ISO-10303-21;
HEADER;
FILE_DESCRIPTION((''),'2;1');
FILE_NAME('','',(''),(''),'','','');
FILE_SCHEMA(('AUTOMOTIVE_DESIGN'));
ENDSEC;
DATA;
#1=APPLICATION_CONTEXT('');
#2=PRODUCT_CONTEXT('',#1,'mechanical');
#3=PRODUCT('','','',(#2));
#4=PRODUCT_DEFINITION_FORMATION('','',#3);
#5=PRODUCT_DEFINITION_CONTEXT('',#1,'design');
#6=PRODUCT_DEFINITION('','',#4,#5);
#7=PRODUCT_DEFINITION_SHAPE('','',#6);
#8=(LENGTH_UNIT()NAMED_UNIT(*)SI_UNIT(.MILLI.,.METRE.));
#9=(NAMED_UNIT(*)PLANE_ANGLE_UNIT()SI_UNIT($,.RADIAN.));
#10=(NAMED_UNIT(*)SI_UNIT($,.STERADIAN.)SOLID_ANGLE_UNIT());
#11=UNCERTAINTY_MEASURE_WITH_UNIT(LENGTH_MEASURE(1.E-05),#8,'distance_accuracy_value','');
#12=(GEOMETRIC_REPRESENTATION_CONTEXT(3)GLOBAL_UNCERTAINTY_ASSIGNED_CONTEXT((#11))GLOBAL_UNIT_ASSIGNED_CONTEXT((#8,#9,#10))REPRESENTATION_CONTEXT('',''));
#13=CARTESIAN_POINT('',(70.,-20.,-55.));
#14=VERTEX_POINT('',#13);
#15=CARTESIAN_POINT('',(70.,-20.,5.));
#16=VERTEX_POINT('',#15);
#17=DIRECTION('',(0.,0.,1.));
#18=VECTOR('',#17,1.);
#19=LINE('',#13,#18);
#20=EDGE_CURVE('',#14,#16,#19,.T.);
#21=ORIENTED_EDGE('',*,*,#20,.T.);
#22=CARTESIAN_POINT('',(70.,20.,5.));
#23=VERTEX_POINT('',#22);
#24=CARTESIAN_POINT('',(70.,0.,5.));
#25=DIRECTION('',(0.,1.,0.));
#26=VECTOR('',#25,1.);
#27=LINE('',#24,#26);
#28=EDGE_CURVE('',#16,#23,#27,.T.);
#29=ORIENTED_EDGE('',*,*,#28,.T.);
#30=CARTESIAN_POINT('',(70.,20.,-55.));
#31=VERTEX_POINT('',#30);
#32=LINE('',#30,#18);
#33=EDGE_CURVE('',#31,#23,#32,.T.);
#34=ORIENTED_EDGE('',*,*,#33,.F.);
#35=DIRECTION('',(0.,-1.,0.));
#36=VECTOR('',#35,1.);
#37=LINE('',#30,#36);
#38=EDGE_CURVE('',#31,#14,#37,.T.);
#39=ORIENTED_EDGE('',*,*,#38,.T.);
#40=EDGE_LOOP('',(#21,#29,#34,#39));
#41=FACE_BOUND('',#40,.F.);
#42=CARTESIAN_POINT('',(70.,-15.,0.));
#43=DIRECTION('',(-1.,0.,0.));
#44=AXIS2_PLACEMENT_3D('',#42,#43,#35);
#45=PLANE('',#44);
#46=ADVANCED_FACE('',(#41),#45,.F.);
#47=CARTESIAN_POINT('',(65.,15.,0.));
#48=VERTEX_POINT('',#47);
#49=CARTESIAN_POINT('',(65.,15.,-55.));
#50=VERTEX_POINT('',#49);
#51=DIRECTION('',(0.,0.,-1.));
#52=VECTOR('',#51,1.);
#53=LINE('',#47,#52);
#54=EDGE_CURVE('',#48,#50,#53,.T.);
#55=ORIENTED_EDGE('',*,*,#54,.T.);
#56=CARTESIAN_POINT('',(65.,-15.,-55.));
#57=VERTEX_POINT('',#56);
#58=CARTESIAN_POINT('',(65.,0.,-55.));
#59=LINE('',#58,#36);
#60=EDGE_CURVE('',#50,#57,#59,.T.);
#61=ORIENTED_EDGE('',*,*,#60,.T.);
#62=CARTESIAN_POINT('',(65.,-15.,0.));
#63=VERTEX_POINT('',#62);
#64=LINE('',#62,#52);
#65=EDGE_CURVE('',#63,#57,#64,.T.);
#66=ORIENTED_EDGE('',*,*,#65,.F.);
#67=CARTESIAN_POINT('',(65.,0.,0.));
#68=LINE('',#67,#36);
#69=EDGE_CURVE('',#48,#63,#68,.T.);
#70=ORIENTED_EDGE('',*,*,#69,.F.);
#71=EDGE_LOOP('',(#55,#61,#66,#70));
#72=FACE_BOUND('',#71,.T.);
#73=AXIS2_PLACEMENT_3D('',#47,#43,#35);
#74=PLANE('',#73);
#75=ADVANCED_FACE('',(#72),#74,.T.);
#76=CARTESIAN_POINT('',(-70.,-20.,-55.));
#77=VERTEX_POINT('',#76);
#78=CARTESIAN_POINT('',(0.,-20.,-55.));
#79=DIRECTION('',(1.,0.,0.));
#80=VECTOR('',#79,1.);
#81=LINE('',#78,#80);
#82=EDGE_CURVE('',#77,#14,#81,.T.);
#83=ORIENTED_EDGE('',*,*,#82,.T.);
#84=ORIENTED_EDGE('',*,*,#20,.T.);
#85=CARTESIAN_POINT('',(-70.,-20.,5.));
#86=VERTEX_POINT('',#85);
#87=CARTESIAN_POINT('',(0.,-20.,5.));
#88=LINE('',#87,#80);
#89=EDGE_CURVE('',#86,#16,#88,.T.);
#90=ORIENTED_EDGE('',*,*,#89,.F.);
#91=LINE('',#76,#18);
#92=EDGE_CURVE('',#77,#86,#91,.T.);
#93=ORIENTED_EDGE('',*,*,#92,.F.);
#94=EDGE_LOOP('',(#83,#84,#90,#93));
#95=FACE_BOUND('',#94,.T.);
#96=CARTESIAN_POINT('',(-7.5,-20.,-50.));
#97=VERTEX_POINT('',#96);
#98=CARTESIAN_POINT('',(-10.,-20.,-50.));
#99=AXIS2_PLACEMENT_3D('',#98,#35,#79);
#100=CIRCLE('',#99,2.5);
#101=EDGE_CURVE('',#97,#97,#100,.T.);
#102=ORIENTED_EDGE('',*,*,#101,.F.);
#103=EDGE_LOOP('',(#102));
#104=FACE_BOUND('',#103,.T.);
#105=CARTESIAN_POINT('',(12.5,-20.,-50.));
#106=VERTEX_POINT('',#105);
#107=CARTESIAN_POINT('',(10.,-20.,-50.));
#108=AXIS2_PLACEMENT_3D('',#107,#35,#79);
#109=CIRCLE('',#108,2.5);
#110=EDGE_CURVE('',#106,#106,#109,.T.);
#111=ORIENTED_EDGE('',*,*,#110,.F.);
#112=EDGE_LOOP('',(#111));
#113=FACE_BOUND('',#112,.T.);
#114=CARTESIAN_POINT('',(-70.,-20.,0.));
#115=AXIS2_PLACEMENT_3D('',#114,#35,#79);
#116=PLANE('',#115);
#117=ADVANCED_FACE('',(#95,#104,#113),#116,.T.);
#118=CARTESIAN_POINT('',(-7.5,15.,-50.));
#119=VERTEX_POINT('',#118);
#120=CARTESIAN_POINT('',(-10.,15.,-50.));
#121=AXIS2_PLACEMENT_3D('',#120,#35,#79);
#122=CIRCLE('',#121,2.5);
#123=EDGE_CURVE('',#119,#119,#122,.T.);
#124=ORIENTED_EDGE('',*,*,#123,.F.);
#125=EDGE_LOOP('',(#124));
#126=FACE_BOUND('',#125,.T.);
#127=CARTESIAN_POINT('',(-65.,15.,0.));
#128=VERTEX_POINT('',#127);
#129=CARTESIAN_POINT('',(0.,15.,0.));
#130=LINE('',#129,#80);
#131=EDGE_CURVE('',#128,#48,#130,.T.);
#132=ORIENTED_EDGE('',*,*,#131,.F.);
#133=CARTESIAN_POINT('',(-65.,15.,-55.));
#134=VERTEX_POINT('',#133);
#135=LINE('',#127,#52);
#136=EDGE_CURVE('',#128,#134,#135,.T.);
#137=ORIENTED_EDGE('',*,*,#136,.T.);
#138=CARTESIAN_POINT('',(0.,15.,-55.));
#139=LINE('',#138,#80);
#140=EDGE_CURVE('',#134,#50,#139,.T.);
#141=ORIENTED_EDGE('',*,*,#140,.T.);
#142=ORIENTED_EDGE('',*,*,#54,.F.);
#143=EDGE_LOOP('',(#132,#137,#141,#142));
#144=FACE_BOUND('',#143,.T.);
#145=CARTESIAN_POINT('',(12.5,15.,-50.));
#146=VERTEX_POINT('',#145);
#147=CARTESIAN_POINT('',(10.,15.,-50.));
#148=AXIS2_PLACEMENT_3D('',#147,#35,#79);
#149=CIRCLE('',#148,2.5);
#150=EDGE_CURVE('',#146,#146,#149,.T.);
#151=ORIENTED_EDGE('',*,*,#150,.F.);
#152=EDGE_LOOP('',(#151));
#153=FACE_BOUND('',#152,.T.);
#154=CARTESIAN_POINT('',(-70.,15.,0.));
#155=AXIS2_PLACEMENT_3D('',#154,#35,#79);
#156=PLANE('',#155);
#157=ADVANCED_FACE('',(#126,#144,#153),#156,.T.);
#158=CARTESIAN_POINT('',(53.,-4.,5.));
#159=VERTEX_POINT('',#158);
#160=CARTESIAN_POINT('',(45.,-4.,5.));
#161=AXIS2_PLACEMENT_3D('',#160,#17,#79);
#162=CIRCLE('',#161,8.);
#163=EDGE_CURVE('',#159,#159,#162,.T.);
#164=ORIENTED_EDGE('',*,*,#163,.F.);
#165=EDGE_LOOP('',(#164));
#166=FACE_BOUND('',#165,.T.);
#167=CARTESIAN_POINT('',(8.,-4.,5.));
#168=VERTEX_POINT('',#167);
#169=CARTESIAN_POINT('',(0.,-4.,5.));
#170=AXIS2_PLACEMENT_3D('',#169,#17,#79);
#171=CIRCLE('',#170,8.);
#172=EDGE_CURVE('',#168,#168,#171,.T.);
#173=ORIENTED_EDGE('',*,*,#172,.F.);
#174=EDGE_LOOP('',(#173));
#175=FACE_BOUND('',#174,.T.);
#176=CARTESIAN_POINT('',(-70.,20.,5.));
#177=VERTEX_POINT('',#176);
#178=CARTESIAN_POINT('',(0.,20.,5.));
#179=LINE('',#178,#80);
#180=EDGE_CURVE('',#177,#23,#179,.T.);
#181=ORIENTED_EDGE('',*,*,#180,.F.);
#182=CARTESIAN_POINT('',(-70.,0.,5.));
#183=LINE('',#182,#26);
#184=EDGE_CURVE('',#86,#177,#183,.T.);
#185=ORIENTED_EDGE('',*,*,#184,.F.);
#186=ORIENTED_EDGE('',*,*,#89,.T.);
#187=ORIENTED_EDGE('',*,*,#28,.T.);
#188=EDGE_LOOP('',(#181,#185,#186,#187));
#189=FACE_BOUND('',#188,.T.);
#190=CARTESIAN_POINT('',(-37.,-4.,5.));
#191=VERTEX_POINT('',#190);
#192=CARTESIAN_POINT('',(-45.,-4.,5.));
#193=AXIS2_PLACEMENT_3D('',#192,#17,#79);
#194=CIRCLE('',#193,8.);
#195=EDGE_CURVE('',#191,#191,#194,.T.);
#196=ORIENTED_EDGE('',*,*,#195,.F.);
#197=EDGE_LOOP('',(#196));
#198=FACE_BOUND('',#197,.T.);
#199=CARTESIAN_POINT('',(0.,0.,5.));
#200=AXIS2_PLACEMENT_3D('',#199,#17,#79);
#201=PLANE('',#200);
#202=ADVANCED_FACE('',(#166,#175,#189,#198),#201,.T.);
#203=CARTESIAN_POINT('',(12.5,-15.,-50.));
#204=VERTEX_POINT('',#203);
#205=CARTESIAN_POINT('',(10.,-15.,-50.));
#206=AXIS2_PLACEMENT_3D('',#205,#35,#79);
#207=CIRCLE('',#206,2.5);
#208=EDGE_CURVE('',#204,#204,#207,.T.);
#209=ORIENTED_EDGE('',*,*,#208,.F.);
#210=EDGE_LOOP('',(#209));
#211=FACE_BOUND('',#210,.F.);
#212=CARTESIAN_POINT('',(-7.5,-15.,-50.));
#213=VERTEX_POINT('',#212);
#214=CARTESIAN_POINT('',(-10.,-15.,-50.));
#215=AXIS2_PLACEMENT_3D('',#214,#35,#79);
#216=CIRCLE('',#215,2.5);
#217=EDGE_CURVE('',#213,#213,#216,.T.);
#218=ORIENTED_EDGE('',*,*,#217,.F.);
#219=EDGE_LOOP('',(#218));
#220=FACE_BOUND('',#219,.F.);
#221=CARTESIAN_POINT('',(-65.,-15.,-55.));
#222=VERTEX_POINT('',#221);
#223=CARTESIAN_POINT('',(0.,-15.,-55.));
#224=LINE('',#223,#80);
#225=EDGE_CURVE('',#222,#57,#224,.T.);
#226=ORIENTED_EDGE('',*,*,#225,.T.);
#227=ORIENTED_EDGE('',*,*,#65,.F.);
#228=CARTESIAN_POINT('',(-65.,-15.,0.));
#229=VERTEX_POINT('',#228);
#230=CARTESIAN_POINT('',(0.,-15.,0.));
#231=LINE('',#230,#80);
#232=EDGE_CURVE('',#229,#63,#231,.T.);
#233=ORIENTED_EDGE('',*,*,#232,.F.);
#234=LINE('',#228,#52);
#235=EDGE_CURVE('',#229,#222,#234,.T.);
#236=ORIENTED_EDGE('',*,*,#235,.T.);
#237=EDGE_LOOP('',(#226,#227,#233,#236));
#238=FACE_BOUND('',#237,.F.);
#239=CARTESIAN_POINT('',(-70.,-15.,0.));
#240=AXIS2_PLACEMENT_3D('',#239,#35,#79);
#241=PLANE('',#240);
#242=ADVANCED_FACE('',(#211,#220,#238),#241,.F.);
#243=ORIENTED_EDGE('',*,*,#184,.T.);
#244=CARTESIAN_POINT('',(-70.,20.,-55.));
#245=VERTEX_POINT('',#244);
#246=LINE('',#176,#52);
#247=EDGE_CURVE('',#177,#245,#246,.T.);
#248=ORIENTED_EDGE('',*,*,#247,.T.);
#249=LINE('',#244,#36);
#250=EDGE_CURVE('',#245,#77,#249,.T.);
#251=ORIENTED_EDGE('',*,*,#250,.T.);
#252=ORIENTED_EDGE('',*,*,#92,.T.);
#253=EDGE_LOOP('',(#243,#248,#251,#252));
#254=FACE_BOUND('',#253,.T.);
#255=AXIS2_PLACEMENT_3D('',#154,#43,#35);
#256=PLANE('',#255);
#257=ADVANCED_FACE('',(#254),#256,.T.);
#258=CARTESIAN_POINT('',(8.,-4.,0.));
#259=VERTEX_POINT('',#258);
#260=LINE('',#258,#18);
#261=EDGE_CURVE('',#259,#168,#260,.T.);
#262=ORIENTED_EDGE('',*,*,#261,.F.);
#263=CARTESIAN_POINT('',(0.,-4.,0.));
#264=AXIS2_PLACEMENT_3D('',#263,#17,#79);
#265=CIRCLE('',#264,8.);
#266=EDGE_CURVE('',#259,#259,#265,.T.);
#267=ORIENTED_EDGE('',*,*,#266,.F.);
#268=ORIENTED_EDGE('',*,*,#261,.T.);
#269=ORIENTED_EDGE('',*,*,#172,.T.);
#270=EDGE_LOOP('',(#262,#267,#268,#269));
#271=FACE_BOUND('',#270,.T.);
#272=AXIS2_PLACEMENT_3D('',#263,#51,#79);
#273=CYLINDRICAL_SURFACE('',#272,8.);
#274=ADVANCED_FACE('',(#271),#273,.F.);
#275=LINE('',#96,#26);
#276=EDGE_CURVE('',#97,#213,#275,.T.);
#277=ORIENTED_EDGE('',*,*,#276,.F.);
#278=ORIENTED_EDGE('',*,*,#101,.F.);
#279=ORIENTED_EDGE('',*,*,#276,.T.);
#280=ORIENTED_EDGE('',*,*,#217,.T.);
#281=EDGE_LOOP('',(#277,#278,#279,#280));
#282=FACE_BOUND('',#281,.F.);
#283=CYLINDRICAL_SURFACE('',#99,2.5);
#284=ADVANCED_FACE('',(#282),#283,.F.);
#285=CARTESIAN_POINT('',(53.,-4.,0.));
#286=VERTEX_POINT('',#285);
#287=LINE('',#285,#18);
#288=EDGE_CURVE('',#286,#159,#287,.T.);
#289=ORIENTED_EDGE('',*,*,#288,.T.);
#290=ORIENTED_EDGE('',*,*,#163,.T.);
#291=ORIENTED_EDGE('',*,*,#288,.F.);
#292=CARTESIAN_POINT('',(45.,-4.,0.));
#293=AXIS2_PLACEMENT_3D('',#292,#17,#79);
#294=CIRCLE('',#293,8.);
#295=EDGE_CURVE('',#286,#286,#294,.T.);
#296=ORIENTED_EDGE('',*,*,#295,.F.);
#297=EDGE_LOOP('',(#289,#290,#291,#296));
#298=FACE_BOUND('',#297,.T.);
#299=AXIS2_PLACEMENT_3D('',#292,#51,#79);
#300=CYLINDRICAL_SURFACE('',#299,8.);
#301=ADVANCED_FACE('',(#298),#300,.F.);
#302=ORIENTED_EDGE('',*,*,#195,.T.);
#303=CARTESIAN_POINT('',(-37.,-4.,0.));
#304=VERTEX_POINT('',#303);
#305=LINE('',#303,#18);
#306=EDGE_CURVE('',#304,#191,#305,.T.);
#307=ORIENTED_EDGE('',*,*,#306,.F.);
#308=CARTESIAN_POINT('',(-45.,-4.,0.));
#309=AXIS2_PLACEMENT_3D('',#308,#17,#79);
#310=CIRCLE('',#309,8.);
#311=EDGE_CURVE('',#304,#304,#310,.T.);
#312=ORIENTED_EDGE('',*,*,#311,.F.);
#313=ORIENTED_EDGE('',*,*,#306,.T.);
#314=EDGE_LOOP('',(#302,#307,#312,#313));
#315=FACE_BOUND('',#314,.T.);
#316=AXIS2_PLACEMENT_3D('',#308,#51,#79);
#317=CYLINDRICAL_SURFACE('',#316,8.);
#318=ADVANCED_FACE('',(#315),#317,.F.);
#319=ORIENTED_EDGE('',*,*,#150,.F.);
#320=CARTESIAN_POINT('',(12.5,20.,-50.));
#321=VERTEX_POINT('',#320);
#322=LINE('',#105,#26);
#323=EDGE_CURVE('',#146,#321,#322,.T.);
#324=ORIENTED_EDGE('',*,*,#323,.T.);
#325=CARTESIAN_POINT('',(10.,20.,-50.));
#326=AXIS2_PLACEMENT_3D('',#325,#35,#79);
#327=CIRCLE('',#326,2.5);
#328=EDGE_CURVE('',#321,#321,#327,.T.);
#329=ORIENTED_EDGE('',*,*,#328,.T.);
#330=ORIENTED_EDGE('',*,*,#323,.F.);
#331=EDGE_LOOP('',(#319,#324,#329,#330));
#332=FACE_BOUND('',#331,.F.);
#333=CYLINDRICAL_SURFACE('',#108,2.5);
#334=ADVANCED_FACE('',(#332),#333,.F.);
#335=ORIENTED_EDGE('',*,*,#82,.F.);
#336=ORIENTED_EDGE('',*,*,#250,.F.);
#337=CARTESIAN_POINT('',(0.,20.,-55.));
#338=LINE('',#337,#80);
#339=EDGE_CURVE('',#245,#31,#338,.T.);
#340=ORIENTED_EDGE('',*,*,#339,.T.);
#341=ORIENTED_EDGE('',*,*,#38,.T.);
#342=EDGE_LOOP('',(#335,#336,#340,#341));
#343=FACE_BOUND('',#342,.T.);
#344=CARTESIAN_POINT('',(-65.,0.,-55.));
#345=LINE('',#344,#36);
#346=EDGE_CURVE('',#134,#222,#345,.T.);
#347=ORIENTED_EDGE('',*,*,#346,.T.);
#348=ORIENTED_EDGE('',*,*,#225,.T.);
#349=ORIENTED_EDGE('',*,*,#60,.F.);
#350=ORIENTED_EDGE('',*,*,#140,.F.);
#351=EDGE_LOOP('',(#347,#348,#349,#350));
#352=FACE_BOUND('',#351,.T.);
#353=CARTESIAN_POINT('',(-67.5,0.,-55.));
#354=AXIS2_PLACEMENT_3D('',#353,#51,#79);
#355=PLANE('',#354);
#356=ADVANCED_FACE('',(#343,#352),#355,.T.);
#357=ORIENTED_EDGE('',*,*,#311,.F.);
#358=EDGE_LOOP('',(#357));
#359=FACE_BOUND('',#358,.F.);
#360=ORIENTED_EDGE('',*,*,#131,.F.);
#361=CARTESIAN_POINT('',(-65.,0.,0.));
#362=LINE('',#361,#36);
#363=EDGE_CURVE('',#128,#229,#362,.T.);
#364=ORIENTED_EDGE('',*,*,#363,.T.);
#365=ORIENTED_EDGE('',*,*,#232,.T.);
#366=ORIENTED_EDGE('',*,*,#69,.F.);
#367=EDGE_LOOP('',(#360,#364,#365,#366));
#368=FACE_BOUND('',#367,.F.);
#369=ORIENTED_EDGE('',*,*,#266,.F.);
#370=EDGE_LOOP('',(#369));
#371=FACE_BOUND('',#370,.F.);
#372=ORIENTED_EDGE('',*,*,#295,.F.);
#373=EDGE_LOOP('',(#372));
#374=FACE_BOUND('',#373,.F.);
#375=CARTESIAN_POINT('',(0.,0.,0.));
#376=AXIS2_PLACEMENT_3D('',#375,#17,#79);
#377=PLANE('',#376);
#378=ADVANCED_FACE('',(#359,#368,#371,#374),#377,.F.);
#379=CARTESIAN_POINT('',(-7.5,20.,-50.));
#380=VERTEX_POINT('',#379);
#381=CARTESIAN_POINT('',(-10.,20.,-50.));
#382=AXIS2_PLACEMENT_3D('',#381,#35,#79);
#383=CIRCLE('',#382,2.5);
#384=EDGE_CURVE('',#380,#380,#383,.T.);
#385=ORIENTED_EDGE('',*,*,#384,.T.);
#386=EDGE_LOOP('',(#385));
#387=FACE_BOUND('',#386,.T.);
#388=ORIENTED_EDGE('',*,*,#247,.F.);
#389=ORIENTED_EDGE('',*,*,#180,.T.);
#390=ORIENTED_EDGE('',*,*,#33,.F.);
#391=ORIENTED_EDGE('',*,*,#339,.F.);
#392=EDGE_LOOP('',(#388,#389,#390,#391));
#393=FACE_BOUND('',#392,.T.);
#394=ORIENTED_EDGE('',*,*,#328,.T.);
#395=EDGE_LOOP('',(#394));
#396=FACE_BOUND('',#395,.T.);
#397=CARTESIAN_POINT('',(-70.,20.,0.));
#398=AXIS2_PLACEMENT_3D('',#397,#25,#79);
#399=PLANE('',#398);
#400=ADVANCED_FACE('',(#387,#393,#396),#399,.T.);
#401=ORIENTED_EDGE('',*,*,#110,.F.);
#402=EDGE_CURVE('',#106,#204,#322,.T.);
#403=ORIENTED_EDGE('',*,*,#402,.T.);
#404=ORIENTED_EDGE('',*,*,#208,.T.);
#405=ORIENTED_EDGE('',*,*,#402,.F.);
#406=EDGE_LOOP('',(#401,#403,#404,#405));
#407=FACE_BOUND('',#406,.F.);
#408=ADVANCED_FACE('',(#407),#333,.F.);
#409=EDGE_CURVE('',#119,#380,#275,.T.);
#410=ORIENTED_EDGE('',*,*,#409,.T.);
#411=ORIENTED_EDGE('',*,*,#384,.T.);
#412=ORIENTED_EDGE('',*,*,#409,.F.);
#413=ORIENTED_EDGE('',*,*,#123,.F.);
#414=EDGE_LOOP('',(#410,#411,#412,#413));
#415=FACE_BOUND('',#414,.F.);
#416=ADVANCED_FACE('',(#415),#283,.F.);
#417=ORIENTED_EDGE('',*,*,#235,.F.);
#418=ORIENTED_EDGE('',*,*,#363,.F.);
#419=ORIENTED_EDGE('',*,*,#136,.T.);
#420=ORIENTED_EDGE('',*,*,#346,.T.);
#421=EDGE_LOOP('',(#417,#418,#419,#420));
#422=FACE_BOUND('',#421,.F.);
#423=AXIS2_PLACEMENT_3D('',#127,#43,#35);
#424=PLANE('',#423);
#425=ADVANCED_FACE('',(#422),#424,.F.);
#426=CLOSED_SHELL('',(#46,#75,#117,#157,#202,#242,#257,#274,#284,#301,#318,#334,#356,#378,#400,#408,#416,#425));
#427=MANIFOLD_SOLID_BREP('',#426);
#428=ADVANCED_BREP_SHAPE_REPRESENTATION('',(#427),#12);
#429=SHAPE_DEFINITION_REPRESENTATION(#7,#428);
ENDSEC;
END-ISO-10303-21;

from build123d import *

# Parameters (mm, degrees)
F0_W     = 140
F0_H     = 40
F0_R     = 8
F1_DEPTH = 5
F2_W     = 140
F2_H     = 5
F3_DEPTH = 55
F4_W     = 5
F4_H     = 30
F5_DEPTH = 55
F6_R     = 2.5
F7_DEPTH = 60


with BuildPart() as f1:
    # F0 (on Top) → F1 (new body)
    with BuildSketch(Plane.XY):
        Rectangle(F0_W, F0_H)
        with Locations((-45, -4)):
            Circle(F0_R, mode=Mode.SUBTRACT)
        with Locations((0, -4)):
            Circle(F0_R, mode=Mode.SUBTRACT)
        with Locations((45, -4)):
            Circle(F0_R, mode=Mode.SUBTRACT)
    extrude(amount=F1_DEPTH)

    # F2 (on face) → F3 (join)
    with BuildSketch(Plane(origin=(0, 0, 0), x_dir=(1, 0, 0), z_dir=(0, 0, -1))):
        with Locations((0, 17.5)):
            Rectangle(F2_W, F2_H)
        with Locations((0, -17.5)):
            Rectangle(F2_W, F2_H)
    extrude(amount=F3_DEPTH)

    # F4 (on face) → F5 (join)
    with BuildSketch(Plane(origin=(0, 0, 0), x_dir=(1, 0, 0), z_dir=(0, 0, -1))):
        with Locations((-67.5, 0)):
            Rectangle(F4_W, F4_H)
        with Locations((67.5, 0)):
            Rectangle(F4_W, F4_H)
    extrude(amount=F5_DEPTH)

    # F6 (on face) → F7 (cut)
    with BuildSketch(Plane.XZ.offset(20)):
        with Locations((10, -50)):
            Circle(F6_R)
        with Locations((-10, -50)):
            Circle(F6_R)
    extrude(amount=-F7_DEPTH, mode=Mode.SUBTRACT)


solid = f1.part
